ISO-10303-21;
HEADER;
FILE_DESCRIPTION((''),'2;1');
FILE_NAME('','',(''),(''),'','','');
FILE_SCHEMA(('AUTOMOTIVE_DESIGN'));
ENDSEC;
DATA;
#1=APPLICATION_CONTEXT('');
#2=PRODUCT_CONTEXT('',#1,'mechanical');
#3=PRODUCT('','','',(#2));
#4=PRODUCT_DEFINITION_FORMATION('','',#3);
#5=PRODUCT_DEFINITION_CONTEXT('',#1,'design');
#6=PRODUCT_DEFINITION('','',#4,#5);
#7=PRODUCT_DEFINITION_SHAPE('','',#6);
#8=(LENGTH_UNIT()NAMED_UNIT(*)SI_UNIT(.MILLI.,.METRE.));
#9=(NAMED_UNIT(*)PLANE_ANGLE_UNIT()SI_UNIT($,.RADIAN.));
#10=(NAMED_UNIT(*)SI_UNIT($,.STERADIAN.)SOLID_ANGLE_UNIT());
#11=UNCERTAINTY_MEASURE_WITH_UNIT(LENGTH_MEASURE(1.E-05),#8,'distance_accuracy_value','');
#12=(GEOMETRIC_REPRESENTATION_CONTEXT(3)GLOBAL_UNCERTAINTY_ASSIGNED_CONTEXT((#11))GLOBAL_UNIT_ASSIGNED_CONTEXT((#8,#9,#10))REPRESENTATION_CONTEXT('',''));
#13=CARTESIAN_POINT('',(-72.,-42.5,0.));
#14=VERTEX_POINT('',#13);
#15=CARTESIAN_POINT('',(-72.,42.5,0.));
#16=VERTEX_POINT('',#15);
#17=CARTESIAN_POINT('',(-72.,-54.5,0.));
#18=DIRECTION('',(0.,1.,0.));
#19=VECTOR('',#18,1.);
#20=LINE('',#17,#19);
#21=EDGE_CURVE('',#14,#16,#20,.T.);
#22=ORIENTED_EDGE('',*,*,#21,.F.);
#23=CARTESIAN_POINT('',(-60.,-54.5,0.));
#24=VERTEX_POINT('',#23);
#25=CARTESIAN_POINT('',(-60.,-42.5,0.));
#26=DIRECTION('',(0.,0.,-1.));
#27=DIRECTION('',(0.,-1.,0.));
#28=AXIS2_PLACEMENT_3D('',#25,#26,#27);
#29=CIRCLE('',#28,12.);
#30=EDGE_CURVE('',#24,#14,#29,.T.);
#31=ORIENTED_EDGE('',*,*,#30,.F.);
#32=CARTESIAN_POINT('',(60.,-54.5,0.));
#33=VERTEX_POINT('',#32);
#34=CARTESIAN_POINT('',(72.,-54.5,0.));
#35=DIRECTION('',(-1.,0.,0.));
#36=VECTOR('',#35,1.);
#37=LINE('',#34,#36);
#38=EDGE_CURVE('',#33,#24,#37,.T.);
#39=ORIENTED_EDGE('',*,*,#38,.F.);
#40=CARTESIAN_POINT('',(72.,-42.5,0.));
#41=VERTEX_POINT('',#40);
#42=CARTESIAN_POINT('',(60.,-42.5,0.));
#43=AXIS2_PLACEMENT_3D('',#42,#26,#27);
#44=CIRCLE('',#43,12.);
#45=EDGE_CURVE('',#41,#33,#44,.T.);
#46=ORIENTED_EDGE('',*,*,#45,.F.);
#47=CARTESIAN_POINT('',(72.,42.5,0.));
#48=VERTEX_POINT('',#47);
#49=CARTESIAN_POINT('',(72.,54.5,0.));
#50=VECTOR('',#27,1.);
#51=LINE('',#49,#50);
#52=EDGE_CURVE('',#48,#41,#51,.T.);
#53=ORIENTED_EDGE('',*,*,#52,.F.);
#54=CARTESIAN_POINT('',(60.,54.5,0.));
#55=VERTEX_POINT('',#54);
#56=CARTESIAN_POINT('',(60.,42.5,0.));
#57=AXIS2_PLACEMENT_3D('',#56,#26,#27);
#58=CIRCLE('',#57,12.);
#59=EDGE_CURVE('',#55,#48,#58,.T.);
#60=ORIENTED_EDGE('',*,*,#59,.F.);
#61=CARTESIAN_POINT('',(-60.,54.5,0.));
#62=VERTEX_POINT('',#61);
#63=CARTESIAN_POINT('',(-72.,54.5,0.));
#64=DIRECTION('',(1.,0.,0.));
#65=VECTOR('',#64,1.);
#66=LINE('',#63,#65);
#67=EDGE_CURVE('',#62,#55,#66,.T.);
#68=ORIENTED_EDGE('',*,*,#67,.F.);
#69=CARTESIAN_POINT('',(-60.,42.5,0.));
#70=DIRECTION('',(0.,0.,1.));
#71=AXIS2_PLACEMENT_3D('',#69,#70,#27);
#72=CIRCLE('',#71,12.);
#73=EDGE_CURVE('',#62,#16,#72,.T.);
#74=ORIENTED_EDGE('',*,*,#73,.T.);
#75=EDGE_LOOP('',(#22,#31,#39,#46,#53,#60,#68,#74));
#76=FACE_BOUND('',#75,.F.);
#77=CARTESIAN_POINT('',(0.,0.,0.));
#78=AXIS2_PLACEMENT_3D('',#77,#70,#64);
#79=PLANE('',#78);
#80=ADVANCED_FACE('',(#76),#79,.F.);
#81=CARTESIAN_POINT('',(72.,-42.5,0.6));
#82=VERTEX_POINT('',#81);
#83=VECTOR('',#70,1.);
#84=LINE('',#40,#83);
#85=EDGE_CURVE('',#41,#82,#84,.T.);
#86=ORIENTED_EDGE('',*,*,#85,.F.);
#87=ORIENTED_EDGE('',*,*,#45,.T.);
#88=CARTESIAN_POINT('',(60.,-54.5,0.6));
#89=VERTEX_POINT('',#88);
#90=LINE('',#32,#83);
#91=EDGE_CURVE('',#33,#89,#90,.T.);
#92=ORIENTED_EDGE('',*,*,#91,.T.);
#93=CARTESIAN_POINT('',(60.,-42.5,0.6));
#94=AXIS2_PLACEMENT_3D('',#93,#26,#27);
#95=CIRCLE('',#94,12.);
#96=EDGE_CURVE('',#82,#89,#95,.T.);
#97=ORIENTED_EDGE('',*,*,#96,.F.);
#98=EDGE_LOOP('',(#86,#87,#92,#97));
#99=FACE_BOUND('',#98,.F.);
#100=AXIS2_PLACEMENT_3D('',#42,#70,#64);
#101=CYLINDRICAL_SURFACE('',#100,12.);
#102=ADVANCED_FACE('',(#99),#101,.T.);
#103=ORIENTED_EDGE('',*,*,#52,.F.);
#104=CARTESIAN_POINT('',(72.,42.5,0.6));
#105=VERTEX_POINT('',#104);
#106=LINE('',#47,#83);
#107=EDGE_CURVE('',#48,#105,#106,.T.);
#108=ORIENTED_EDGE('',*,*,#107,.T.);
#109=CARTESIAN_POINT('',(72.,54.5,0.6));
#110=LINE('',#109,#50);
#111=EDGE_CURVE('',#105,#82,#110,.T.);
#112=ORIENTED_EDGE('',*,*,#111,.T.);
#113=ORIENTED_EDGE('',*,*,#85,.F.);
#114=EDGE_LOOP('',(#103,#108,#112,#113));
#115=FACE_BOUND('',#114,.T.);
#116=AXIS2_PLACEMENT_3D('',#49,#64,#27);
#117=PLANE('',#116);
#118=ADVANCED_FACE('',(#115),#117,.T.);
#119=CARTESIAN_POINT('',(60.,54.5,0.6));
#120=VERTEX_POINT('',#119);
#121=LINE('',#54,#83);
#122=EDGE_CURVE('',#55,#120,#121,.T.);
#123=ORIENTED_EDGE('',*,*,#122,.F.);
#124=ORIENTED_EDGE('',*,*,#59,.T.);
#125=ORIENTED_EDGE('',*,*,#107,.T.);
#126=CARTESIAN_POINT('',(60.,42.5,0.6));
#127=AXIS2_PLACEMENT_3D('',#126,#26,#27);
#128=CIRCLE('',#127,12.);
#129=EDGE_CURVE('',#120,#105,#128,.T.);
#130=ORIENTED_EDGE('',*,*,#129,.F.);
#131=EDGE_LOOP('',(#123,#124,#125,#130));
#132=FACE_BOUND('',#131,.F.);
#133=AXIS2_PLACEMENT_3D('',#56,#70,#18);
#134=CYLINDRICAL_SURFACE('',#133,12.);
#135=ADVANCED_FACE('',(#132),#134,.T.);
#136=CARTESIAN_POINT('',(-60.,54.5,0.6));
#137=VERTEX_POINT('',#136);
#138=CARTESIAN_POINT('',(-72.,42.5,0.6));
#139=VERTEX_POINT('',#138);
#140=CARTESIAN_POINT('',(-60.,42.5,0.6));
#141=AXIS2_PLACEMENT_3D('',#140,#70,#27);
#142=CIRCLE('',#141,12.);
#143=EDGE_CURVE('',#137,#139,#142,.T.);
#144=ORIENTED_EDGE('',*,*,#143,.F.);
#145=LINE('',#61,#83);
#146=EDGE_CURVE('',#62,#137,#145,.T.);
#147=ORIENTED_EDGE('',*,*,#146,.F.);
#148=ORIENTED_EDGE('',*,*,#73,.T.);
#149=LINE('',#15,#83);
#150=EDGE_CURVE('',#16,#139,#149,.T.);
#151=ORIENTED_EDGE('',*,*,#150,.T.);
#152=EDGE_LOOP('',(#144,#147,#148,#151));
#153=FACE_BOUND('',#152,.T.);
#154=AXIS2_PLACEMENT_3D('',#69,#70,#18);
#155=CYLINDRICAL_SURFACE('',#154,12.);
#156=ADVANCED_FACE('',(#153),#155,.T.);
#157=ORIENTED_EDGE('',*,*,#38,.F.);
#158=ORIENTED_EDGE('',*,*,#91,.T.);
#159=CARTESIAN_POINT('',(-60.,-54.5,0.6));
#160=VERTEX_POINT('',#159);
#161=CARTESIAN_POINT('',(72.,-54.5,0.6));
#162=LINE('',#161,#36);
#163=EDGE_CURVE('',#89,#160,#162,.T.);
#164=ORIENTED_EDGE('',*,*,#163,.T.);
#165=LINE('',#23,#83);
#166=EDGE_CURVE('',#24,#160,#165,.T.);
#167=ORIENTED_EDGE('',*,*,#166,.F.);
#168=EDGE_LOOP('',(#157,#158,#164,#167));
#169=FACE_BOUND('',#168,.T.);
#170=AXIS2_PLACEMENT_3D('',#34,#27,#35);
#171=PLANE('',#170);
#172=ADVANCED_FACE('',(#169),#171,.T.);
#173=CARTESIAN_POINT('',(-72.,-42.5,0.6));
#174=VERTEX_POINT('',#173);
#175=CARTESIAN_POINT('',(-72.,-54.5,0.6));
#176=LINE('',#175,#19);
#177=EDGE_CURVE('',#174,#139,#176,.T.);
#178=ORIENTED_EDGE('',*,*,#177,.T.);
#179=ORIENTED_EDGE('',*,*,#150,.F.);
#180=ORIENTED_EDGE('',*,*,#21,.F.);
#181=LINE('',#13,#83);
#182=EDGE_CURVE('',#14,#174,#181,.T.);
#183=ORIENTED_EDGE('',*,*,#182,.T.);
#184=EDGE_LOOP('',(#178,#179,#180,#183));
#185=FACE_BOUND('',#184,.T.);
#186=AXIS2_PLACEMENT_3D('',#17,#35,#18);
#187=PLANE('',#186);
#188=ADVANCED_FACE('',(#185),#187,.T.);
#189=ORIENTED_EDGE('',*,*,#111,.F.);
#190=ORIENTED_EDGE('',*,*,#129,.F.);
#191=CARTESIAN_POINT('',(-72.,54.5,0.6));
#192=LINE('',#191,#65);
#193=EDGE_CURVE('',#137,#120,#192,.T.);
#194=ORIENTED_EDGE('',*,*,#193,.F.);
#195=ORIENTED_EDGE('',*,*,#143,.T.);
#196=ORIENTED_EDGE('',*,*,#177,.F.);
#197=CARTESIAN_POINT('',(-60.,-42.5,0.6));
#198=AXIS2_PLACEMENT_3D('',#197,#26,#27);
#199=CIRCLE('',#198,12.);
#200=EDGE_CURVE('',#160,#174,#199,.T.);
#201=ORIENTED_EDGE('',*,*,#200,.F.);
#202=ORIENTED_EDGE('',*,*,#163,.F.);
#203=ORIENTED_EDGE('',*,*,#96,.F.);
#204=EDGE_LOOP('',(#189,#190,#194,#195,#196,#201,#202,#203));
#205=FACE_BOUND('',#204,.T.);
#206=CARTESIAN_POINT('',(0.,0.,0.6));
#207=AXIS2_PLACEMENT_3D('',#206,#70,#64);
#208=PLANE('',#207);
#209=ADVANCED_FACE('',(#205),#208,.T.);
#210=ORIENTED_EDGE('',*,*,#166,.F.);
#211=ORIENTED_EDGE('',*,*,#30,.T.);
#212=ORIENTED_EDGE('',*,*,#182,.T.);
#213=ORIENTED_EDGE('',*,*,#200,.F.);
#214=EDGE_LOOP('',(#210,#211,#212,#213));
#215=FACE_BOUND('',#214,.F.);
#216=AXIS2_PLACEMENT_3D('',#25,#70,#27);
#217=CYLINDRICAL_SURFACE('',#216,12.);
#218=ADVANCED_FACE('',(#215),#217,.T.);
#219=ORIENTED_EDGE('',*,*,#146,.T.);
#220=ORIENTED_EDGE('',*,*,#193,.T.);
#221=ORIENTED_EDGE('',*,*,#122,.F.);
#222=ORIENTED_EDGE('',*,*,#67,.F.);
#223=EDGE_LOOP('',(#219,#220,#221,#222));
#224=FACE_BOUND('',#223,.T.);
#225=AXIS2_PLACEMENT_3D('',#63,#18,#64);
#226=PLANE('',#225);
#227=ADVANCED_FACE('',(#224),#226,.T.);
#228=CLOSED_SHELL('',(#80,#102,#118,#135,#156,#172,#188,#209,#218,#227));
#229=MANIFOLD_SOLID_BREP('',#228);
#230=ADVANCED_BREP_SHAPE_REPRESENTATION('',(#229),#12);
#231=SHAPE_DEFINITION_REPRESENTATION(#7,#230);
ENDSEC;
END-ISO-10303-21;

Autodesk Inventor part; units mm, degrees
ref_plane "YZ Plane" through (0, 0, 0) normal (1, 0, 0) x (0, 1, 0)
ref_plane "XZ Plane" through (0, 0, 0) normal (0, 1, 0) x (-1, 0, 0)
ref_plane "XY Plane" through (0, 0, 0) normal (0, 0, 1) x (1, 0, 0)
sketch "Skizze1" plane through (0, 0, 0) normal (0, 0, 1) x (1, 0, 0)
  line L0 (-72, 54.5) -> (72, 54.5)
  line L1 (72, 54.5) -> (72, -54.5)
  line L2 (72, -54.5) -> (-72, -54.5)
  line L3 (-72, -54.5) -> (-72, 54.5)
  line L4 (-72, 54.5) -> (72, -54.5) construction
  line L5 (72, 54.5) -> (-72, -54.5) construction
  point P0 (0, 0)
  dimension "d0" = 144
  dimension "d1" = 109
extrude "Extrusion1" add sketch "Skizze1" along normal blind 0.6
fillet "Rundung1" radius 12 4 edges at (72, 54.5, 0.3) (72, -54.5, 0.3) (-72, -54.5, 0.3) (-72, 54.5, 0.3)
properties part number "230_Diffuser"
